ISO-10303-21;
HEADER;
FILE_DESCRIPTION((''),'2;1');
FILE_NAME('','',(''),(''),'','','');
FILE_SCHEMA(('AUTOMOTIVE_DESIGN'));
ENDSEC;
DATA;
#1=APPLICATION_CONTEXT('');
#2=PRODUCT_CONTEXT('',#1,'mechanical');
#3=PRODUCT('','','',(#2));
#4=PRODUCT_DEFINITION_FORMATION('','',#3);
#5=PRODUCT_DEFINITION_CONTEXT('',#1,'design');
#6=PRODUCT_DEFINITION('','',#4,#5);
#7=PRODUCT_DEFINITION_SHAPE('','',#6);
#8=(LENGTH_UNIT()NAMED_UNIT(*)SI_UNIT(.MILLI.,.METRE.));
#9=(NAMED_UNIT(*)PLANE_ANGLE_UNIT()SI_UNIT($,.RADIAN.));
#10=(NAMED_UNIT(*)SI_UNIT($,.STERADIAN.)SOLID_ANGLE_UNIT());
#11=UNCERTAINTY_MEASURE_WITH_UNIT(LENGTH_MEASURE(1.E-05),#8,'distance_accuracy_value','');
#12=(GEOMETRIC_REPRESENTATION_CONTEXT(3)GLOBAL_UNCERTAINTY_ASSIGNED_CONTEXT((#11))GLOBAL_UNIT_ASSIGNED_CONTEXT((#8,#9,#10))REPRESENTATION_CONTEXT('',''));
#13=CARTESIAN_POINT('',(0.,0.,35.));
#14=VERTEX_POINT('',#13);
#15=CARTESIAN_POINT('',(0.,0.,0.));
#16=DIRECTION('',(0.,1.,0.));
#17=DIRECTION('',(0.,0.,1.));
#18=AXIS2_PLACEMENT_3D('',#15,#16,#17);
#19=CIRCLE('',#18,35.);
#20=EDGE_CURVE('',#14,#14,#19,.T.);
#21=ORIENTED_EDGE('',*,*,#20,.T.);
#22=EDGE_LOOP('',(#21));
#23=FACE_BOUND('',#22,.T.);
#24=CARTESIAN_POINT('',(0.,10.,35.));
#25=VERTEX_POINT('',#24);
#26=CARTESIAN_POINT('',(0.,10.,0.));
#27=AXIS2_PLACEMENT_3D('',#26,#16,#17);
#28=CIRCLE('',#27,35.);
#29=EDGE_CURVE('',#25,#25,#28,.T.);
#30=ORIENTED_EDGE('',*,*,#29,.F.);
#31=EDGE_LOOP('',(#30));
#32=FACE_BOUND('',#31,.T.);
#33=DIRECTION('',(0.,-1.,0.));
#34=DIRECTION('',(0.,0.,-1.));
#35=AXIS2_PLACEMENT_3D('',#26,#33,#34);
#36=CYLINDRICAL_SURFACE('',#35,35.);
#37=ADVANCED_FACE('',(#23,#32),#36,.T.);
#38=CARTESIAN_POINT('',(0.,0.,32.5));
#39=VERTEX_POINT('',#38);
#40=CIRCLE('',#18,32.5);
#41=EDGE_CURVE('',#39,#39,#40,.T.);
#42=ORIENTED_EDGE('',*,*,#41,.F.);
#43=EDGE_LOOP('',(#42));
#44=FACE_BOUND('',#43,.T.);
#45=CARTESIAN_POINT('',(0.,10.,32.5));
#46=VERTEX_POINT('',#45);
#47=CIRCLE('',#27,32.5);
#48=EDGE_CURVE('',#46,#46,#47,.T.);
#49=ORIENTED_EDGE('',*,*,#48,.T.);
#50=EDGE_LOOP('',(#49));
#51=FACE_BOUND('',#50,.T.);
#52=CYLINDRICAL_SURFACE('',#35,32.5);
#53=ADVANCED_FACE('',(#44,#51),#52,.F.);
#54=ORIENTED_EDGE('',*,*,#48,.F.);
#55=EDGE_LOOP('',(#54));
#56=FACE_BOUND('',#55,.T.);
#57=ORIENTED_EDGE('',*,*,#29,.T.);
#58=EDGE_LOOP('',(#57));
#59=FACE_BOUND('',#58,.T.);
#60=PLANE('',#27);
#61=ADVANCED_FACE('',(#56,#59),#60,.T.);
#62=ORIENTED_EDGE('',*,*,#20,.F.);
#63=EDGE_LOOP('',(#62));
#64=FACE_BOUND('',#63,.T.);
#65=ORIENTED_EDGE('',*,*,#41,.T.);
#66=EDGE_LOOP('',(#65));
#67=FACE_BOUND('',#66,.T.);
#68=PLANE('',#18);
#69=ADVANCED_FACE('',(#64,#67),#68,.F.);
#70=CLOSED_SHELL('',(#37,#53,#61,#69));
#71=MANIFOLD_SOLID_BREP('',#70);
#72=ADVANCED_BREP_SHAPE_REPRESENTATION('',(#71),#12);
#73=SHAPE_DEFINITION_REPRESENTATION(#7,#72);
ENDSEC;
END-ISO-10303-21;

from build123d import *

# Parameters (mm, degrees)
EXTRUDE_1_DEPTH = 10


with BuildPart() as part:
    # 草图1 → 凸台-拉伸1 (new body)
    with BuildSketch(Plane(origin=(0, 0, 0), x_dir=(1, 0, 0), z_dir=(0, 1, 0))):
        with BuildLine():
            ThreePointArc((35, 0), (0, 35), (-35, 0))
            Line((-35, 0), (-32.5, 0))
            ThreePointArc((-32.5, 0), (0, 32.5), (32.5, 0))
            Line((32.5, 0), (35, 0))
        make_face()
        with BuildLine():
            Line((-32.5, 0), (-35, 0))
            ThreePointArc((-35, 0), (0, -35), (35, 0))
            Line((35, 0), (32.5, 0))
            ThreePointArc((32.5, 0), (0, -32.5), (-32.5, 0))
        make_face()
    extrude(amount=EXTRUDE_1_DEPTH)


solid = part.part
